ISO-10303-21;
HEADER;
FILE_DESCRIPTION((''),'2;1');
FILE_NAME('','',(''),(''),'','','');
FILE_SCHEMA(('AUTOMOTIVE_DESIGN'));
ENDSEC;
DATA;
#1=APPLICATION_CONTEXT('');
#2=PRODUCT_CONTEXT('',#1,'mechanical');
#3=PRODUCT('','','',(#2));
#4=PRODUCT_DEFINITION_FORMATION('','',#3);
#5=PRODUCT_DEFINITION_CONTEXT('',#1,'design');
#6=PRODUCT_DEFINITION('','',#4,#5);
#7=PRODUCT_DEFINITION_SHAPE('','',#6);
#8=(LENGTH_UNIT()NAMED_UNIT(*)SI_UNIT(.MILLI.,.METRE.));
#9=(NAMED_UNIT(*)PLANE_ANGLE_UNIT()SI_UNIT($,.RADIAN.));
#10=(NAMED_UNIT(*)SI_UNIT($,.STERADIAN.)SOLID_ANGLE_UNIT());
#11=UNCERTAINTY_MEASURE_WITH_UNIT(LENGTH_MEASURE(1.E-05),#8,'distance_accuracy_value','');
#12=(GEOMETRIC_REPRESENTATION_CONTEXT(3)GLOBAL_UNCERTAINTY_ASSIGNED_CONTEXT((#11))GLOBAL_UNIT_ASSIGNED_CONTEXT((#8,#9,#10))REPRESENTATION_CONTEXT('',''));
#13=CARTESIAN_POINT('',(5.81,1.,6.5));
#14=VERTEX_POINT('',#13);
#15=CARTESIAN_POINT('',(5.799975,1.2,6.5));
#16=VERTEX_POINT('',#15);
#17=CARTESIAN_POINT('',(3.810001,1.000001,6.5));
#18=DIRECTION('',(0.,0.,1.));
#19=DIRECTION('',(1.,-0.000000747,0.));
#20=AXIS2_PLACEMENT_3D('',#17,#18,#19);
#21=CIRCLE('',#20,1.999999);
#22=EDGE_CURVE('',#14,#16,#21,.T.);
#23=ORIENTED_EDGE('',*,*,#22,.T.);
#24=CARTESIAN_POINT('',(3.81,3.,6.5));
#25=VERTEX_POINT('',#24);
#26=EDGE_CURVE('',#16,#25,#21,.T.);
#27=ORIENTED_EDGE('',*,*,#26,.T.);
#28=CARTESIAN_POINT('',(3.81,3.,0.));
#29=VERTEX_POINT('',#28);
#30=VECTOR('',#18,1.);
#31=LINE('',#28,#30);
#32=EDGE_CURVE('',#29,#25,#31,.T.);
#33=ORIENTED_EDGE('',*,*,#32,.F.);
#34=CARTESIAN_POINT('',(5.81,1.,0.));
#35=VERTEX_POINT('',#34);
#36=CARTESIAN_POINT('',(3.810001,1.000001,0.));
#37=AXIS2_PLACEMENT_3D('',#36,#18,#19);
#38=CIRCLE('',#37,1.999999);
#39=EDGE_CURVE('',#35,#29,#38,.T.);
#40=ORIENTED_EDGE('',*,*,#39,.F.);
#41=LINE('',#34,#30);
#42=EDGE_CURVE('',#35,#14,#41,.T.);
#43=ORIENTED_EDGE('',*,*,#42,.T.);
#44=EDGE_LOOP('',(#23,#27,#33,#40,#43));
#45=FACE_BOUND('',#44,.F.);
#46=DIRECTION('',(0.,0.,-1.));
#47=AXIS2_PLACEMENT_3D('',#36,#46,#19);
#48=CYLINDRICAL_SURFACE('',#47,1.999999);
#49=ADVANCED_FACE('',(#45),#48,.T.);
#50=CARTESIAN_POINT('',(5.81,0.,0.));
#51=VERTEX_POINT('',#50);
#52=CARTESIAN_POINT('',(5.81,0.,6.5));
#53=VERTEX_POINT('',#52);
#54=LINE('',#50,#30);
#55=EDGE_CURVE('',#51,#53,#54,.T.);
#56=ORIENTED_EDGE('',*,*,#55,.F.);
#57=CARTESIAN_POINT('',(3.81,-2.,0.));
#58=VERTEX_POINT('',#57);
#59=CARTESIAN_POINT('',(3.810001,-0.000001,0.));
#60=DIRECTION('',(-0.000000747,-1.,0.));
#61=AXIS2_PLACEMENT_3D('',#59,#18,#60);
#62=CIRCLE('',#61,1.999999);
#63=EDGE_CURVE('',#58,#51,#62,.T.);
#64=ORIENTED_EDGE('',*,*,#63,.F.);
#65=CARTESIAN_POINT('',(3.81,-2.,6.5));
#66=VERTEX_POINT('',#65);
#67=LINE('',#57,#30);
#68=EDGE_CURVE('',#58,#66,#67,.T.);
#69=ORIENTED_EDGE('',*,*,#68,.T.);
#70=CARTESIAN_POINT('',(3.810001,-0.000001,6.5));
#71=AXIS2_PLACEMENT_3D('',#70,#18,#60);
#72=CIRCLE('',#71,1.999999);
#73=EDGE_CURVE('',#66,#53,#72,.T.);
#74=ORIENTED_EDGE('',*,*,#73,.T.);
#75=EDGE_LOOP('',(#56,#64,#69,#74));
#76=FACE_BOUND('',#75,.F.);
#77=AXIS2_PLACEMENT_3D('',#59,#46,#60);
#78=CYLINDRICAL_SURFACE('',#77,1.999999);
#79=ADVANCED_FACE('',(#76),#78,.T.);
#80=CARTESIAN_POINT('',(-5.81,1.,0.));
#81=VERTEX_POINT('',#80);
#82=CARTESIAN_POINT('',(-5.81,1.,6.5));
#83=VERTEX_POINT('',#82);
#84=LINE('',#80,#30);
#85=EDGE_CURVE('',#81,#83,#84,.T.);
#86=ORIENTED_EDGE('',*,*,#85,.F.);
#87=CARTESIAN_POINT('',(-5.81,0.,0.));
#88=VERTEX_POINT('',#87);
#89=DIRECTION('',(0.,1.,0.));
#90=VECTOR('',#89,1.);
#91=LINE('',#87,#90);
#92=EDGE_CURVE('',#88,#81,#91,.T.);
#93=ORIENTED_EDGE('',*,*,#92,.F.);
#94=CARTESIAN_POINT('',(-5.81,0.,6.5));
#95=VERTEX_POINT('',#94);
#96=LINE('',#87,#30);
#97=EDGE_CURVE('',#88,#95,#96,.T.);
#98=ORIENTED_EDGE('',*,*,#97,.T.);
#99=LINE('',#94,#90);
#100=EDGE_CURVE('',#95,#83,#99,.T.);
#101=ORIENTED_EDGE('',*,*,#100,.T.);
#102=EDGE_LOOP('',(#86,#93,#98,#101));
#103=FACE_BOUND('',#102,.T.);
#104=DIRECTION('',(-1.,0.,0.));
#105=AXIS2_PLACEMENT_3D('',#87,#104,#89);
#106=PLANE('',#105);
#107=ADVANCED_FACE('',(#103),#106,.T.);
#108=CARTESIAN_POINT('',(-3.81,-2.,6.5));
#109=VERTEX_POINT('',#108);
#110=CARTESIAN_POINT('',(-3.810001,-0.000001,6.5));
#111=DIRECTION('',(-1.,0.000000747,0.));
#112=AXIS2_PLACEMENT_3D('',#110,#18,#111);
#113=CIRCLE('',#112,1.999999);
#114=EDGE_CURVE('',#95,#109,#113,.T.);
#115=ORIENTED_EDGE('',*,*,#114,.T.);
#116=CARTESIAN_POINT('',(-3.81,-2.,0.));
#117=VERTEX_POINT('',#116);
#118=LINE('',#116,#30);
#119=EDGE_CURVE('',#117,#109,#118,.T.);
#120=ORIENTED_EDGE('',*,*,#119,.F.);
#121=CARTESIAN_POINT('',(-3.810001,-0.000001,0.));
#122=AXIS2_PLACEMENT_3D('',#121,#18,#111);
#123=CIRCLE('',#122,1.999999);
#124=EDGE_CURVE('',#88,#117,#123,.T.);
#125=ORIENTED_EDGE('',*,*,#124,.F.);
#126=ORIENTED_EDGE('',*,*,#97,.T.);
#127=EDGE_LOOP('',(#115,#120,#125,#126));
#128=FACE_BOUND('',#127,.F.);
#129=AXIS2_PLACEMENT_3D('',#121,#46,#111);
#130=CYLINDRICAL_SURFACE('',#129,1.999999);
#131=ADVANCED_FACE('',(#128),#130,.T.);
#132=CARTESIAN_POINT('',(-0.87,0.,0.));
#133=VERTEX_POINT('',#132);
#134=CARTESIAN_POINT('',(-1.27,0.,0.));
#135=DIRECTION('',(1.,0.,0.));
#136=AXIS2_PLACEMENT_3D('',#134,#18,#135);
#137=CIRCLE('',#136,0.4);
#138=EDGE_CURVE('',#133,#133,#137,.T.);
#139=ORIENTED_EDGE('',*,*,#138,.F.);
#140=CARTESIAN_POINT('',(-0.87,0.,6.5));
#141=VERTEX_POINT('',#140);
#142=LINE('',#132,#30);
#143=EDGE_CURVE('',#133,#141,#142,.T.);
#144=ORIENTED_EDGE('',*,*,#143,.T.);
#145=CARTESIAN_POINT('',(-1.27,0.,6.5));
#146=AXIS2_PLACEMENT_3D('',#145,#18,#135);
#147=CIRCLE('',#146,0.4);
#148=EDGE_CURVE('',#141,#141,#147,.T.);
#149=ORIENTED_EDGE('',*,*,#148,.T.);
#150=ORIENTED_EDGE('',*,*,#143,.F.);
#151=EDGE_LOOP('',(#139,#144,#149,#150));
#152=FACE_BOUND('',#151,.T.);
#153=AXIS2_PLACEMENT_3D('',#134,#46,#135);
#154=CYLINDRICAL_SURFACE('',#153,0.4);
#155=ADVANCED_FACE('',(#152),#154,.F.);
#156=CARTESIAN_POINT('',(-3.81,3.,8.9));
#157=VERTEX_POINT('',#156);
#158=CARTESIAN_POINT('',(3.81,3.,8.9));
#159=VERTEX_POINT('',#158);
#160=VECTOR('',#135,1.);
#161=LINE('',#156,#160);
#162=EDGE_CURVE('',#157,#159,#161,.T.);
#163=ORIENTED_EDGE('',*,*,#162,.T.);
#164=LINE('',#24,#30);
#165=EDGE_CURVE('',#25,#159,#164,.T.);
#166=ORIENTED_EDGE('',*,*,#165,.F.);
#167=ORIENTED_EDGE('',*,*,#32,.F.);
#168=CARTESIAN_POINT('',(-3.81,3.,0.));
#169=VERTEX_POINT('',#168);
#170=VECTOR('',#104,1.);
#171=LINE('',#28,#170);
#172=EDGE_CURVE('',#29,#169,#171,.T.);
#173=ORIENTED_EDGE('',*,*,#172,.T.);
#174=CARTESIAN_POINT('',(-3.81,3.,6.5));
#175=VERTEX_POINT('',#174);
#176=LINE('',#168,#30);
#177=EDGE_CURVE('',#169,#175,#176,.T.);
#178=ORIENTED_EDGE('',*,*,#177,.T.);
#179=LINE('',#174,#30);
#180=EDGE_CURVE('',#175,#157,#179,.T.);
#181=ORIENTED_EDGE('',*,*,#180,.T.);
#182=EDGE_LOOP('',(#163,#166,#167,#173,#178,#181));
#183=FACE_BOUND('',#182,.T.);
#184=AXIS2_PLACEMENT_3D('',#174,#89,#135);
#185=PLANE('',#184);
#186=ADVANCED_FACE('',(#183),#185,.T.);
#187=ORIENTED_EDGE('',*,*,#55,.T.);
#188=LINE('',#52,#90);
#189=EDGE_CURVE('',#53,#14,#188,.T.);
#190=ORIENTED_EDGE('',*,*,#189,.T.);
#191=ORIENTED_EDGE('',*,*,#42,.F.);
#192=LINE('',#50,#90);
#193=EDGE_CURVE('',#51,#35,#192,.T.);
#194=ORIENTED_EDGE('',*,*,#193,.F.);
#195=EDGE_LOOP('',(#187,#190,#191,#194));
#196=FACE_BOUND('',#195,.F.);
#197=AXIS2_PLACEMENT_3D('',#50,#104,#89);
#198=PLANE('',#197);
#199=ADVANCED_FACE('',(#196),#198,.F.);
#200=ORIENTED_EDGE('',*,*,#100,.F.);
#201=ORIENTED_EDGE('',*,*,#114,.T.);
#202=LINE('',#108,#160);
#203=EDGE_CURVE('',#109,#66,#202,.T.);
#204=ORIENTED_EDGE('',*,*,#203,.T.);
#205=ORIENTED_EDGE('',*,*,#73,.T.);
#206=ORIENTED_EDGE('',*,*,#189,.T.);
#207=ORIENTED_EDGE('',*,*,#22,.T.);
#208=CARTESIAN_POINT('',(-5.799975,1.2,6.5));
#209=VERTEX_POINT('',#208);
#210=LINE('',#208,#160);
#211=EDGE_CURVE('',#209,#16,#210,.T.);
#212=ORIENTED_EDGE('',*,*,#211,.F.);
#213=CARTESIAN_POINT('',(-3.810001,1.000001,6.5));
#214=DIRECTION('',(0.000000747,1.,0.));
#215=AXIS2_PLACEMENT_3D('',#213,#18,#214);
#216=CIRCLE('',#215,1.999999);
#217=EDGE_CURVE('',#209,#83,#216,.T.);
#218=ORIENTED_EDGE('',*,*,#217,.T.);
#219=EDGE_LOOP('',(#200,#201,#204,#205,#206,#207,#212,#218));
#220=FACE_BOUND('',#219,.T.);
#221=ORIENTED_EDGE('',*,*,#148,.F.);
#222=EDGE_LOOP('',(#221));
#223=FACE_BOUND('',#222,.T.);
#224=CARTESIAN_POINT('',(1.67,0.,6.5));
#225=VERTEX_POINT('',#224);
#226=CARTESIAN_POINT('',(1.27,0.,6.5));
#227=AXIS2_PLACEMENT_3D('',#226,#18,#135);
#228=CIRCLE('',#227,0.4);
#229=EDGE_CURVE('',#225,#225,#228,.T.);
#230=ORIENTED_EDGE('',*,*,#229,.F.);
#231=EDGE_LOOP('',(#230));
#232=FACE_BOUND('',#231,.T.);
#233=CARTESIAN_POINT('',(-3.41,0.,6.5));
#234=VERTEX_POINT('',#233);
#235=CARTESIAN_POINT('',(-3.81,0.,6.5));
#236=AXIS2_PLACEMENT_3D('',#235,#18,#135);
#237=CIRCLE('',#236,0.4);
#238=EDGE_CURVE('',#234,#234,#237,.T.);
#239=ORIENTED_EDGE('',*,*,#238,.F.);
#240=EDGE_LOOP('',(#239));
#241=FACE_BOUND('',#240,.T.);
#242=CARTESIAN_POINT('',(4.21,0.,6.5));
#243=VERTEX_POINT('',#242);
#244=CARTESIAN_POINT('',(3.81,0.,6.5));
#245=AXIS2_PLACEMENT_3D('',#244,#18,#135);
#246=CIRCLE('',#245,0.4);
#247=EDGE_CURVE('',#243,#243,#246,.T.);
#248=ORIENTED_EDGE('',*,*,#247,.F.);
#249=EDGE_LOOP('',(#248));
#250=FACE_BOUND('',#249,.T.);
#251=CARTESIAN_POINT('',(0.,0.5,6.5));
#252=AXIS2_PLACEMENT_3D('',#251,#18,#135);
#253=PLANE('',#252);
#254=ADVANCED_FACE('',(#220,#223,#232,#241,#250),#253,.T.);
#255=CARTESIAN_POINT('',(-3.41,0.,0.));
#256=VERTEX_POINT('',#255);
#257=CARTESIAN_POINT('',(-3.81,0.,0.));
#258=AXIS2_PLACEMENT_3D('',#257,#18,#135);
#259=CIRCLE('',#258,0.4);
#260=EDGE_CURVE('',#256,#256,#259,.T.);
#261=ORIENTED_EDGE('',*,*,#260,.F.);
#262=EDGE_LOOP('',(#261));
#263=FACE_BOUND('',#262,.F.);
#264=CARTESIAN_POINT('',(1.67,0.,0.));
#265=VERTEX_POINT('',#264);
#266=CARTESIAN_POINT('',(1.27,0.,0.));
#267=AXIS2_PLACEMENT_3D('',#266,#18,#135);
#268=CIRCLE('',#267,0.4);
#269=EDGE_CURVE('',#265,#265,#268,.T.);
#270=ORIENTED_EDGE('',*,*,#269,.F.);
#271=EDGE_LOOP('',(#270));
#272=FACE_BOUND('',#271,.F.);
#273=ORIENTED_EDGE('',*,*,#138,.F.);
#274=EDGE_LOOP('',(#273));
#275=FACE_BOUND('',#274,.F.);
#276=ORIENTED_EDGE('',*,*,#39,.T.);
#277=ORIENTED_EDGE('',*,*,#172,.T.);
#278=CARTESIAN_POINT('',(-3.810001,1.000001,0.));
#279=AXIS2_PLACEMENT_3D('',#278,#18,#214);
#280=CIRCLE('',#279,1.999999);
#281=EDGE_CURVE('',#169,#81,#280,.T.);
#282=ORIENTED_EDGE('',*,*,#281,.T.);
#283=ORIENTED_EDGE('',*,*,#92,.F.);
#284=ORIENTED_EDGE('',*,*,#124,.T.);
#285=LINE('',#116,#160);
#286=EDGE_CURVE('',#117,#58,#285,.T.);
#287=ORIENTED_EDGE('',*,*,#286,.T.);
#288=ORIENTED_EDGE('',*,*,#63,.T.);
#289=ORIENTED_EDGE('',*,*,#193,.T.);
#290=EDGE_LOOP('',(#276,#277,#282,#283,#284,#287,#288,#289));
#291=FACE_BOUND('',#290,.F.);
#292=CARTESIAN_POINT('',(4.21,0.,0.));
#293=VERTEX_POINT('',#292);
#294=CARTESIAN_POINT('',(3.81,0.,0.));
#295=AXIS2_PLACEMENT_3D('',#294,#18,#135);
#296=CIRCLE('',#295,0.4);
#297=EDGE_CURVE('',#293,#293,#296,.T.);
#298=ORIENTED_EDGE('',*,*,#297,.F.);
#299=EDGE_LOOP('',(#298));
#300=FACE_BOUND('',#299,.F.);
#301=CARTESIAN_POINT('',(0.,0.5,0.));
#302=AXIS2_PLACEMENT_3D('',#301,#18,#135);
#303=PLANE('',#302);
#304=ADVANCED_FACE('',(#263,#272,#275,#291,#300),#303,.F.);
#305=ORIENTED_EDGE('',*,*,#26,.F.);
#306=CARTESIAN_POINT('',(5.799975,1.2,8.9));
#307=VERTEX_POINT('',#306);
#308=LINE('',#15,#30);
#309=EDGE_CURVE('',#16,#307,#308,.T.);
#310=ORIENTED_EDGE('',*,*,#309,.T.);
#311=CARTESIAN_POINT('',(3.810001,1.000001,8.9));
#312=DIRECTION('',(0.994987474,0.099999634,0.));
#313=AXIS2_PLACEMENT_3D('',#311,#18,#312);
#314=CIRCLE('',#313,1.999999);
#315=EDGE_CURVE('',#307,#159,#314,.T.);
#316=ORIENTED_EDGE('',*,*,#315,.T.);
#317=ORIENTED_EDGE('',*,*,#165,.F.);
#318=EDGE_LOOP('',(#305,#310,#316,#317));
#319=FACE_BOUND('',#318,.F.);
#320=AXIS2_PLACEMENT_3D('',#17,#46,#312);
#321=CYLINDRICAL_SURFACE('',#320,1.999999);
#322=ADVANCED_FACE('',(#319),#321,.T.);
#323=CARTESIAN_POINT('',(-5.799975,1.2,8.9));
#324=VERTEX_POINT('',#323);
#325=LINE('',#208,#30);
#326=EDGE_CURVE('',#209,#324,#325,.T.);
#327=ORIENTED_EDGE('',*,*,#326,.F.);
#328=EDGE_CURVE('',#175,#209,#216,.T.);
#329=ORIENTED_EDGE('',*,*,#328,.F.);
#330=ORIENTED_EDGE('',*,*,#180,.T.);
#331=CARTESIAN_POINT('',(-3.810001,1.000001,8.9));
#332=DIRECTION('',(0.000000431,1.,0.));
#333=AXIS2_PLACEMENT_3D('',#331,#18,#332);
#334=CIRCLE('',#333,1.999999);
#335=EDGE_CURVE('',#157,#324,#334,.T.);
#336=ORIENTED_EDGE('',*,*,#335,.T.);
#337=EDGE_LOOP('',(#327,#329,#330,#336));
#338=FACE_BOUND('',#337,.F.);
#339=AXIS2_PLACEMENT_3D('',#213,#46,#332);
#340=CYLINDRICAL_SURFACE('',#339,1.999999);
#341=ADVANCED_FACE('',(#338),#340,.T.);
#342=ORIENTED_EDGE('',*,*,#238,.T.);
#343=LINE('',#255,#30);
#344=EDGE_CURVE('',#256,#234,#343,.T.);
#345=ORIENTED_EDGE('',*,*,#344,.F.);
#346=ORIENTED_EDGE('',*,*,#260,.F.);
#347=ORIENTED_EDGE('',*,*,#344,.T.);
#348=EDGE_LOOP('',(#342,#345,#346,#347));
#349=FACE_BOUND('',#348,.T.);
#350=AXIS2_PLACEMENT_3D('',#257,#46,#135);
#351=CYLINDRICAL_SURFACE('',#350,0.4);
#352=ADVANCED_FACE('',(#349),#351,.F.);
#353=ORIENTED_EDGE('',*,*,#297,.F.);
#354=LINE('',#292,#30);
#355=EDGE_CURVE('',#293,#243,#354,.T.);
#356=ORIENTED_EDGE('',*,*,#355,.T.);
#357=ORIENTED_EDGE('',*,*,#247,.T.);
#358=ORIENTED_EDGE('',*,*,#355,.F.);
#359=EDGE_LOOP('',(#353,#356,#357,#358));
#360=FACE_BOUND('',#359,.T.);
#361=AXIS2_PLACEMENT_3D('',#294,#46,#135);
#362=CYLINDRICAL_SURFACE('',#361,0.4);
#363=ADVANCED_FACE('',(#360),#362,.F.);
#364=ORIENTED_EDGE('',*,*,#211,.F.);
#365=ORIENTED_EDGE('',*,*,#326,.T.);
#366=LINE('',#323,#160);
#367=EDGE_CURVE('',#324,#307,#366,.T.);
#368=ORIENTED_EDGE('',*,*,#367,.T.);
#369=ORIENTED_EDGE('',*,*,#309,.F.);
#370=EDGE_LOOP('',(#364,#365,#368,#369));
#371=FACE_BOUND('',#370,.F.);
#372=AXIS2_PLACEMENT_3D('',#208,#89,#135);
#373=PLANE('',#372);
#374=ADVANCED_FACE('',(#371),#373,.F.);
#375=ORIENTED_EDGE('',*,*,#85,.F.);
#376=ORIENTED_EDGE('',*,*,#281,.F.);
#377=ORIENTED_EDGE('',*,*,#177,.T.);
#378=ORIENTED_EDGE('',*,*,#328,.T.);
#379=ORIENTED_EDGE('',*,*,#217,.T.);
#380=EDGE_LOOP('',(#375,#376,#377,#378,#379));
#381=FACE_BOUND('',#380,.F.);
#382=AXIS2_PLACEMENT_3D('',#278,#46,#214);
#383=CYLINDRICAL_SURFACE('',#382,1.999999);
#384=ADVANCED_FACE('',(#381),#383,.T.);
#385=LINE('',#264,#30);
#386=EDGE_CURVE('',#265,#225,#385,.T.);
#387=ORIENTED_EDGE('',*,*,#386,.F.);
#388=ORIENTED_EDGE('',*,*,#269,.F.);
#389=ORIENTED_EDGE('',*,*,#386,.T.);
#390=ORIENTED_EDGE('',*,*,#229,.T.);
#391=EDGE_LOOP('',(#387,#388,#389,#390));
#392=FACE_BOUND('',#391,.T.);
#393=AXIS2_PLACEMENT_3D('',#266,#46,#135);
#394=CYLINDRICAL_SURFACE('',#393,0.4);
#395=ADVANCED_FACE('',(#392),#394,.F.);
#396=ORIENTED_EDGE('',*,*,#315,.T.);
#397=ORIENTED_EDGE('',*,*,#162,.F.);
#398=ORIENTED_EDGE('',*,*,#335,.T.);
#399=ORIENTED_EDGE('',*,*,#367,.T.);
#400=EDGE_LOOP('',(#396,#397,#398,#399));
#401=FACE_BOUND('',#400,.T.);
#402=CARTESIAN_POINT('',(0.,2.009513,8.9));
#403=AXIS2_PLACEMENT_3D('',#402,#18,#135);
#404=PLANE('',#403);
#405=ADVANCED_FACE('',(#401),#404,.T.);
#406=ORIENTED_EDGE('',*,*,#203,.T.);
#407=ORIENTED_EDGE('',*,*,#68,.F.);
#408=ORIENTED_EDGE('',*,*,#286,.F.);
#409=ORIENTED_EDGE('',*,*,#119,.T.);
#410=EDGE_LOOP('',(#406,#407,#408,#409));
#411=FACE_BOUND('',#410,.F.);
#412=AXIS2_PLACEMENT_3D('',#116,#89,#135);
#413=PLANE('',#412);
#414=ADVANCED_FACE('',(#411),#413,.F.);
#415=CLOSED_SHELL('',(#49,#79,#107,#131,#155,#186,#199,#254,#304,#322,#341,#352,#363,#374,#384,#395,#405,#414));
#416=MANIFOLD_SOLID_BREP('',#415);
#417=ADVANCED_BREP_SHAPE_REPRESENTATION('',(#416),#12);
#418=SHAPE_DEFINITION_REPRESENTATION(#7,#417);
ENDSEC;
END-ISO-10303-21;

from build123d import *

# Parameters (mm, degrees)
SKETCH_R     = 0.4
PAD_DEPTH    = 6.5
PAD001_DEPTH = 2.4


with BuildPart() as part:
    # Sketch → Pad (new body)
    with BuildSketch(Plane.XY):
        with BuildLine():
            Line((-3.81, -2), (3.81, -2))
            ThreePointArc((3.81, -2), (5.224214, -1.414214), (5.81, 0))
            Line((5.81, 0), (5.81, 1))
            ThreePointArc((5.81, 1), (5.224214, 2.414214), (3.81, 3))
            Line((3.81, 3), (-3.81, 3))
            ThreePointArc((-3.81, 3), (-5.224214, 2.414214), (-5.81, 1))
            Line((-5.81, 0), (-5.81, 1))
            ThreePointArc((-5.81, 0), (-5.224214, -1.414214), (-3.81, -2))
        make_face()
        with Locations((-3.81, 0)):
            Circle(SKETCH_R, mode=Mode.SUBTRACT)
        with Locations((-1.27, 0)):
            Circle(SKETCH_R, mode=Mode.SUBTRACT)
        with Locations((1.27, 0)):
            Circle(SKETCH_R, mode=Mode.SUBTRACT)
        with Locations((3.81, 0)):
            Circle(SKETCH_R, mode=Mode.SUBTRACT)
    extrude(amount=PAD_DEPTH)

    # Sketch001 → Pad001 (join)
    with BuildSketch(Plane.XY.offset(6.5)):
        with BuildLine():
            ThreePointArc((-3.81, 3), (-5.151641, 2.48324), (-5.799975, 1.2))
            Line((-5.799975, 1.2), (5.799975, 1.2))
            ThreePointArc((5.799975, 1.2), (5.151641, 2.48324), (3.81, 3))
            Line((-3.81, 3), (3.81, 3))
        make_face()
    extrude(amount=PAD001_DEPTH)


solid = part.part
